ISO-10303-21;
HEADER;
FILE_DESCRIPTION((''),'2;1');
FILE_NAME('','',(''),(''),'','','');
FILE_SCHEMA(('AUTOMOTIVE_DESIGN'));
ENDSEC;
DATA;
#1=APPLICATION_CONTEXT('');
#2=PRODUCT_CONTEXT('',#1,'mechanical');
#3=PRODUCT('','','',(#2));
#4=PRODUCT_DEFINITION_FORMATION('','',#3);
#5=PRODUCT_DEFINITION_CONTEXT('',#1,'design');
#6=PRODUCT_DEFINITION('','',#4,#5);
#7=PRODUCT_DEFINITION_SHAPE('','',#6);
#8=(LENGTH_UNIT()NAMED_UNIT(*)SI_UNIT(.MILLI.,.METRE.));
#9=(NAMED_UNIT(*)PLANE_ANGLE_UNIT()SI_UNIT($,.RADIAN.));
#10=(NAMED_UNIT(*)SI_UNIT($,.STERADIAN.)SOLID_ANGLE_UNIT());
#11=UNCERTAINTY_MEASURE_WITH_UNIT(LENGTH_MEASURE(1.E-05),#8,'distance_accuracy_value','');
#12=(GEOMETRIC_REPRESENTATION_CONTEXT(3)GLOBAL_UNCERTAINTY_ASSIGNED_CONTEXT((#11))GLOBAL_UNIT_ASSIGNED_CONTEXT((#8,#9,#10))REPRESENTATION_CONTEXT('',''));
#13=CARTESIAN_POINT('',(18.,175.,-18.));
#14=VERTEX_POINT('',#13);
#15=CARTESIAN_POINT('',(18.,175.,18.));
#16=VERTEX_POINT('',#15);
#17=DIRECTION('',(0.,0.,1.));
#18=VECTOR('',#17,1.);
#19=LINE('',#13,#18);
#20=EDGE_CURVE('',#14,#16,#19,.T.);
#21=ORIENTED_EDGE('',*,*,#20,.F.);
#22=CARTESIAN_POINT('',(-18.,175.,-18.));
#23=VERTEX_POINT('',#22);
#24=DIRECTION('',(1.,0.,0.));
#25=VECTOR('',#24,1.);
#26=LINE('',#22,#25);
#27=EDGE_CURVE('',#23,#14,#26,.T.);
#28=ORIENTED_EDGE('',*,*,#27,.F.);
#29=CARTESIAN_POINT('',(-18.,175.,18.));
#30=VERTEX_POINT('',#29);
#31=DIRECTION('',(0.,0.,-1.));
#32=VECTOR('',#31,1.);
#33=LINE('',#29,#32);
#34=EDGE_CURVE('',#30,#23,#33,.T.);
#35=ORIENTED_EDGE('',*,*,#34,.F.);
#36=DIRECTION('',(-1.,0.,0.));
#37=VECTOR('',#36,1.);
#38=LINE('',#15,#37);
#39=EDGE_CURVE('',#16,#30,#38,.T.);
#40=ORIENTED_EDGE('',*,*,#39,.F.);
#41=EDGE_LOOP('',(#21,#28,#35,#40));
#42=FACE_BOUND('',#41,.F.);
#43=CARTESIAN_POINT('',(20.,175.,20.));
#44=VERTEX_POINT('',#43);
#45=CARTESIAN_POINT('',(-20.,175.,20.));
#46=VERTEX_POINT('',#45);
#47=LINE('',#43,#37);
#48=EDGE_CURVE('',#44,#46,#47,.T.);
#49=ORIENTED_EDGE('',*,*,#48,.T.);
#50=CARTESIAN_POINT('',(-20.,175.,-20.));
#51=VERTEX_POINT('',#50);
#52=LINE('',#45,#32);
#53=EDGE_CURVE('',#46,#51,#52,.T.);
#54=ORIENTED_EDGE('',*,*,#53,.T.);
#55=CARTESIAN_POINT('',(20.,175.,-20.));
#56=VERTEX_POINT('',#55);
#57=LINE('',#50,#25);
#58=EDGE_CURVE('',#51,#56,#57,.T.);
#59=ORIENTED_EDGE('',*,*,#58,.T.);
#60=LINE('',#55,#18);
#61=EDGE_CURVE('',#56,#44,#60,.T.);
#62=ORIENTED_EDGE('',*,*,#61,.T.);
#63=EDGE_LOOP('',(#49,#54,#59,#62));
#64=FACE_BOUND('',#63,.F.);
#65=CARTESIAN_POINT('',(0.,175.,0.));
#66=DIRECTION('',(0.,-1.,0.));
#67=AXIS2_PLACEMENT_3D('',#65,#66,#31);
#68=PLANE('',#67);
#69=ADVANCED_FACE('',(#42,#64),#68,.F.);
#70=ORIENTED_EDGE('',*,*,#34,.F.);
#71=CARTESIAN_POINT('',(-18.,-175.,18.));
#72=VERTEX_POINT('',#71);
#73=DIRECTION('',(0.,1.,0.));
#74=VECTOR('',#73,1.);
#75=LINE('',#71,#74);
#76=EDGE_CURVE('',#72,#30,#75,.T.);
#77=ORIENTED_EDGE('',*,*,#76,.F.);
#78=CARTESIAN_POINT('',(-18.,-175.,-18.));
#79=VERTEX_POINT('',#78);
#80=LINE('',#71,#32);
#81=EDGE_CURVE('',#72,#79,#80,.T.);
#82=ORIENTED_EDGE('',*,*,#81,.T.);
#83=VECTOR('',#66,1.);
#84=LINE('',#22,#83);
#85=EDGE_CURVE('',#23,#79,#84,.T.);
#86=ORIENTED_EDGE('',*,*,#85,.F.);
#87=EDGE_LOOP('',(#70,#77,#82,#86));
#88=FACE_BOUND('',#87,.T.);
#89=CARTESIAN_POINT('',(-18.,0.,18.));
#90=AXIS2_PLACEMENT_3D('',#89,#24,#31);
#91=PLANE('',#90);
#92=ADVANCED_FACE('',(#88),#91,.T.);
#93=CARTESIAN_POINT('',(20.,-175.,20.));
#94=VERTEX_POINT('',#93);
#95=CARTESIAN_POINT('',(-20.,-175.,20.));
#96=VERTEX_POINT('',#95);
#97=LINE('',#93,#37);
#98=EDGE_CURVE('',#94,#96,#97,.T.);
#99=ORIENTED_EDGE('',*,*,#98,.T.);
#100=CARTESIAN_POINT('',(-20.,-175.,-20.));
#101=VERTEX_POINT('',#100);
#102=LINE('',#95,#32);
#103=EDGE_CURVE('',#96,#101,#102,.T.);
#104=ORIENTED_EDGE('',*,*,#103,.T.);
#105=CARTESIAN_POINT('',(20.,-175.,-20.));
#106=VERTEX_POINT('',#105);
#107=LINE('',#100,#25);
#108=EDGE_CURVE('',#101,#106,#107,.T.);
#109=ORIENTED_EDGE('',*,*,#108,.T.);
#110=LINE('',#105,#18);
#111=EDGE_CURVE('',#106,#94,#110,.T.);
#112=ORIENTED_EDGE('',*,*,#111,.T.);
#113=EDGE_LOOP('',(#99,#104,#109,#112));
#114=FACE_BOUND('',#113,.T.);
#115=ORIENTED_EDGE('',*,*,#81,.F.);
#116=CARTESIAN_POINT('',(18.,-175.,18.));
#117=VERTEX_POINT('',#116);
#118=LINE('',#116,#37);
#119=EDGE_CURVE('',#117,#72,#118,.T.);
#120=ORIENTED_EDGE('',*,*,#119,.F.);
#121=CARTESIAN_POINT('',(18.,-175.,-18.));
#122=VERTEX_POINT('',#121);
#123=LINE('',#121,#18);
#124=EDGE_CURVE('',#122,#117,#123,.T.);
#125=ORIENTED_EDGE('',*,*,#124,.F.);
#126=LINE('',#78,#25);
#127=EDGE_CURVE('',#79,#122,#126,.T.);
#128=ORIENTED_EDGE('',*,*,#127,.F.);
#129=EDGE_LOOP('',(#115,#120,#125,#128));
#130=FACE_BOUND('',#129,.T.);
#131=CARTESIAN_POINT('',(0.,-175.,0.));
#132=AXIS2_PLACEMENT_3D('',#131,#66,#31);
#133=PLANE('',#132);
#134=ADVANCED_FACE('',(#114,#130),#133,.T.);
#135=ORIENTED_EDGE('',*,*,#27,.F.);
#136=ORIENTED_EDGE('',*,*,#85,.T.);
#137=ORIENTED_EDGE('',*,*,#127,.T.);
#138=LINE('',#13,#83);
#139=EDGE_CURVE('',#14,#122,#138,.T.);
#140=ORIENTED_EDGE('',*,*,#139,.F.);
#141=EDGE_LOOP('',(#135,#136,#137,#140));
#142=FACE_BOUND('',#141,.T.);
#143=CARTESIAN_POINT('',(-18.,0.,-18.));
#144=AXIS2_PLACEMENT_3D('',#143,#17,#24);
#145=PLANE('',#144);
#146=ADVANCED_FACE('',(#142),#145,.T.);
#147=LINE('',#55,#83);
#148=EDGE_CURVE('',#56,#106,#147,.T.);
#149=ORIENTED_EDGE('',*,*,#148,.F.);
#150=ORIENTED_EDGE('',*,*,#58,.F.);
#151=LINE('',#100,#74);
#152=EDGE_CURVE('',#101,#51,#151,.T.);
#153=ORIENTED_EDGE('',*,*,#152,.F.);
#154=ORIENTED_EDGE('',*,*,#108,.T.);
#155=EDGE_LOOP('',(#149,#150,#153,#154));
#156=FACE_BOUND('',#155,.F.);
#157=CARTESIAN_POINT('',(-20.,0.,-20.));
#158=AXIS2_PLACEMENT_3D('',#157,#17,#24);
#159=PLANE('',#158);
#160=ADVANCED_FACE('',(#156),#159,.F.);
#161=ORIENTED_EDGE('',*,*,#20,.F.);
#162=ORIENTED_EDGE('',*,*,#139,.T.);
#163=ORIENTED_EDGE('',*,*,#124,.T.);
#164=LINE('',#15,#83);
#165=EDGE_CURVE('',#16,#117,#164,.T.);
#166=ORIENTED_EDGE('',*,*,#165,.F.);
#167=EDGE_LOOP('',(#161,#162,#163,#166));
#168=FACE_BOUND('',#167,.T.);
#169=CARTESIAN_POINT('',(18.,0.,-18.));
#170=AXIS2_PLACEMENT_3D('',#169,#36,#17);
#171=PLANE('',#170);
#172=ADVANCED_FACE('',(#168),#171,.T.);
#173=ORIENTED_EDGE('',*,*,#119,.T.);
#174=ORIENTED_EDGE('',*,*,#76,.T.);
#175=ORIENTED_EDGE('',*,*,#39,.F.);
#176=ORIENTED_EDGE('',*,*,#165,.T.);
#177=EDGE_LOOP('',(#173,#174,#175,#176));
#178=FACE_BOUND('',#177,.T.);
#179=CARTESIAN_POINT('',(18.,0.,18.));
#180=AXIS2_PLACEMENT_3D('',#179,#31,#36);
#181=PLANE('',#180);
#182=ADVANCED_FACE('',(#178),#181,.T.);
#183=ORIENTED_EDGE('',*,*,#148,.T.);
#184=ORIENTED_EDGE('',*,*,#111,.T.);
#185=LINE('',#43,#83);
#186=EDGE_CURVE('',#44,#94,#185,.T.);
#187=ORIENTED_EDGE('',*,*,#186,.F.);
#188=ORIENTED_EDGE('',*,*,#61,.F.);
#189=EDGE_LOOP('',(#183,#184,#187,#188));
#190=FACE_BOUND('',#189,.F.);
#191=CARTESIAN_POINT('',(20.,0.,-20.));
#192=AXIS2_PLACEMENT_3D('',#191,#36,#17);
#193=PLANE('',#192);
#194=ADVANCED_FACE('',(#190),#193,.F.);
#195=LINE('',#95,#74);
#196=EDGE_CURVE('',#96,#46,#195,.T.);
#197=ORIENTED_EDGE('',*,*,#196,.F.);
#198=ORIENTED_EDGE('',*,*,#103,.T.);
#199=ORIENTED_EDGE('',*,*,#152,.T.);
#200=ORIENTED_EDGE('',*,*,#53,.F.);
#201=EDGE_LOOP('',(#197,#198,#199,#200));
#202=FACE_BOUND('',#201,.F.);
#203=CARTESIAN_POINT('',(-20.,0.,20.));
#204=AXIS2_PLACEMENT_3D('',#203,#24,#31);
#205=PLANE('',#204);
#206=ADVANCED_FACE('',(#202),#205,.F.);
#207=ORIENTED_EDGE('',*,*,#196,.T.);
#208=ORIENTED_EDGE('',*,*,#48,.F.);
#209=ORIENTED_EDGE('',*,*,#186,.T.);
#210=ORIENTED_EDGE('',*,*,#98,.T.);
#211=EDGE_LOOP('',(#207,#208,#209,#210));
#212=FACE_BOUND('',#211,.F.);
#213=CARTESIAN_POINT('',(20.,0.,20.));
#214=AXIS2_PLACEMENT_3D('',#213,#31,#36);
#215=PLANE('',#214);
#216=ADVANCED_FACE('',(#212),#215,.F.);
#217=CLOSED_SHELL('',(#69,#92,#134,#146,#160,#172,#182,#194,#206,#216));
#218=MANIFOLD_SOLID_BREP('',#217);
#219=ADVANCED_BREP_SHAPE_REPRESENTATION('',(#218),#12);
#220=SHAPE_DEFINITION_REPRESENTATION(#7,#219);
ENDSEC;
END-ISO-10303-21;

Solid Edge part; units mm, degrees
sketch "Sketch1" plane through (0, 0, 0) normal (0, -1, 0) x (1, 0, 0)
  line L0 (-20, -20) -> (20, -20)
  line L1 (20, -20) -> (20, 20)
  line L2 (20, 20) -> (-20, 20)
  line L3 (-20, 20) -> (-20, -20)
  line L4 (-18, -18) -> (18, -18)
  line L5 (18, -18) -> (18, 18)
  line L6 (18, 18) -> (-18, 18)
  line L7 (-18, 18) -> (-18, -18)
  dimension "D1" = 40
  dimension "D2" = 2
extrude "Protrusion1" add sketch "Sketch1" along normal mid plane 350
